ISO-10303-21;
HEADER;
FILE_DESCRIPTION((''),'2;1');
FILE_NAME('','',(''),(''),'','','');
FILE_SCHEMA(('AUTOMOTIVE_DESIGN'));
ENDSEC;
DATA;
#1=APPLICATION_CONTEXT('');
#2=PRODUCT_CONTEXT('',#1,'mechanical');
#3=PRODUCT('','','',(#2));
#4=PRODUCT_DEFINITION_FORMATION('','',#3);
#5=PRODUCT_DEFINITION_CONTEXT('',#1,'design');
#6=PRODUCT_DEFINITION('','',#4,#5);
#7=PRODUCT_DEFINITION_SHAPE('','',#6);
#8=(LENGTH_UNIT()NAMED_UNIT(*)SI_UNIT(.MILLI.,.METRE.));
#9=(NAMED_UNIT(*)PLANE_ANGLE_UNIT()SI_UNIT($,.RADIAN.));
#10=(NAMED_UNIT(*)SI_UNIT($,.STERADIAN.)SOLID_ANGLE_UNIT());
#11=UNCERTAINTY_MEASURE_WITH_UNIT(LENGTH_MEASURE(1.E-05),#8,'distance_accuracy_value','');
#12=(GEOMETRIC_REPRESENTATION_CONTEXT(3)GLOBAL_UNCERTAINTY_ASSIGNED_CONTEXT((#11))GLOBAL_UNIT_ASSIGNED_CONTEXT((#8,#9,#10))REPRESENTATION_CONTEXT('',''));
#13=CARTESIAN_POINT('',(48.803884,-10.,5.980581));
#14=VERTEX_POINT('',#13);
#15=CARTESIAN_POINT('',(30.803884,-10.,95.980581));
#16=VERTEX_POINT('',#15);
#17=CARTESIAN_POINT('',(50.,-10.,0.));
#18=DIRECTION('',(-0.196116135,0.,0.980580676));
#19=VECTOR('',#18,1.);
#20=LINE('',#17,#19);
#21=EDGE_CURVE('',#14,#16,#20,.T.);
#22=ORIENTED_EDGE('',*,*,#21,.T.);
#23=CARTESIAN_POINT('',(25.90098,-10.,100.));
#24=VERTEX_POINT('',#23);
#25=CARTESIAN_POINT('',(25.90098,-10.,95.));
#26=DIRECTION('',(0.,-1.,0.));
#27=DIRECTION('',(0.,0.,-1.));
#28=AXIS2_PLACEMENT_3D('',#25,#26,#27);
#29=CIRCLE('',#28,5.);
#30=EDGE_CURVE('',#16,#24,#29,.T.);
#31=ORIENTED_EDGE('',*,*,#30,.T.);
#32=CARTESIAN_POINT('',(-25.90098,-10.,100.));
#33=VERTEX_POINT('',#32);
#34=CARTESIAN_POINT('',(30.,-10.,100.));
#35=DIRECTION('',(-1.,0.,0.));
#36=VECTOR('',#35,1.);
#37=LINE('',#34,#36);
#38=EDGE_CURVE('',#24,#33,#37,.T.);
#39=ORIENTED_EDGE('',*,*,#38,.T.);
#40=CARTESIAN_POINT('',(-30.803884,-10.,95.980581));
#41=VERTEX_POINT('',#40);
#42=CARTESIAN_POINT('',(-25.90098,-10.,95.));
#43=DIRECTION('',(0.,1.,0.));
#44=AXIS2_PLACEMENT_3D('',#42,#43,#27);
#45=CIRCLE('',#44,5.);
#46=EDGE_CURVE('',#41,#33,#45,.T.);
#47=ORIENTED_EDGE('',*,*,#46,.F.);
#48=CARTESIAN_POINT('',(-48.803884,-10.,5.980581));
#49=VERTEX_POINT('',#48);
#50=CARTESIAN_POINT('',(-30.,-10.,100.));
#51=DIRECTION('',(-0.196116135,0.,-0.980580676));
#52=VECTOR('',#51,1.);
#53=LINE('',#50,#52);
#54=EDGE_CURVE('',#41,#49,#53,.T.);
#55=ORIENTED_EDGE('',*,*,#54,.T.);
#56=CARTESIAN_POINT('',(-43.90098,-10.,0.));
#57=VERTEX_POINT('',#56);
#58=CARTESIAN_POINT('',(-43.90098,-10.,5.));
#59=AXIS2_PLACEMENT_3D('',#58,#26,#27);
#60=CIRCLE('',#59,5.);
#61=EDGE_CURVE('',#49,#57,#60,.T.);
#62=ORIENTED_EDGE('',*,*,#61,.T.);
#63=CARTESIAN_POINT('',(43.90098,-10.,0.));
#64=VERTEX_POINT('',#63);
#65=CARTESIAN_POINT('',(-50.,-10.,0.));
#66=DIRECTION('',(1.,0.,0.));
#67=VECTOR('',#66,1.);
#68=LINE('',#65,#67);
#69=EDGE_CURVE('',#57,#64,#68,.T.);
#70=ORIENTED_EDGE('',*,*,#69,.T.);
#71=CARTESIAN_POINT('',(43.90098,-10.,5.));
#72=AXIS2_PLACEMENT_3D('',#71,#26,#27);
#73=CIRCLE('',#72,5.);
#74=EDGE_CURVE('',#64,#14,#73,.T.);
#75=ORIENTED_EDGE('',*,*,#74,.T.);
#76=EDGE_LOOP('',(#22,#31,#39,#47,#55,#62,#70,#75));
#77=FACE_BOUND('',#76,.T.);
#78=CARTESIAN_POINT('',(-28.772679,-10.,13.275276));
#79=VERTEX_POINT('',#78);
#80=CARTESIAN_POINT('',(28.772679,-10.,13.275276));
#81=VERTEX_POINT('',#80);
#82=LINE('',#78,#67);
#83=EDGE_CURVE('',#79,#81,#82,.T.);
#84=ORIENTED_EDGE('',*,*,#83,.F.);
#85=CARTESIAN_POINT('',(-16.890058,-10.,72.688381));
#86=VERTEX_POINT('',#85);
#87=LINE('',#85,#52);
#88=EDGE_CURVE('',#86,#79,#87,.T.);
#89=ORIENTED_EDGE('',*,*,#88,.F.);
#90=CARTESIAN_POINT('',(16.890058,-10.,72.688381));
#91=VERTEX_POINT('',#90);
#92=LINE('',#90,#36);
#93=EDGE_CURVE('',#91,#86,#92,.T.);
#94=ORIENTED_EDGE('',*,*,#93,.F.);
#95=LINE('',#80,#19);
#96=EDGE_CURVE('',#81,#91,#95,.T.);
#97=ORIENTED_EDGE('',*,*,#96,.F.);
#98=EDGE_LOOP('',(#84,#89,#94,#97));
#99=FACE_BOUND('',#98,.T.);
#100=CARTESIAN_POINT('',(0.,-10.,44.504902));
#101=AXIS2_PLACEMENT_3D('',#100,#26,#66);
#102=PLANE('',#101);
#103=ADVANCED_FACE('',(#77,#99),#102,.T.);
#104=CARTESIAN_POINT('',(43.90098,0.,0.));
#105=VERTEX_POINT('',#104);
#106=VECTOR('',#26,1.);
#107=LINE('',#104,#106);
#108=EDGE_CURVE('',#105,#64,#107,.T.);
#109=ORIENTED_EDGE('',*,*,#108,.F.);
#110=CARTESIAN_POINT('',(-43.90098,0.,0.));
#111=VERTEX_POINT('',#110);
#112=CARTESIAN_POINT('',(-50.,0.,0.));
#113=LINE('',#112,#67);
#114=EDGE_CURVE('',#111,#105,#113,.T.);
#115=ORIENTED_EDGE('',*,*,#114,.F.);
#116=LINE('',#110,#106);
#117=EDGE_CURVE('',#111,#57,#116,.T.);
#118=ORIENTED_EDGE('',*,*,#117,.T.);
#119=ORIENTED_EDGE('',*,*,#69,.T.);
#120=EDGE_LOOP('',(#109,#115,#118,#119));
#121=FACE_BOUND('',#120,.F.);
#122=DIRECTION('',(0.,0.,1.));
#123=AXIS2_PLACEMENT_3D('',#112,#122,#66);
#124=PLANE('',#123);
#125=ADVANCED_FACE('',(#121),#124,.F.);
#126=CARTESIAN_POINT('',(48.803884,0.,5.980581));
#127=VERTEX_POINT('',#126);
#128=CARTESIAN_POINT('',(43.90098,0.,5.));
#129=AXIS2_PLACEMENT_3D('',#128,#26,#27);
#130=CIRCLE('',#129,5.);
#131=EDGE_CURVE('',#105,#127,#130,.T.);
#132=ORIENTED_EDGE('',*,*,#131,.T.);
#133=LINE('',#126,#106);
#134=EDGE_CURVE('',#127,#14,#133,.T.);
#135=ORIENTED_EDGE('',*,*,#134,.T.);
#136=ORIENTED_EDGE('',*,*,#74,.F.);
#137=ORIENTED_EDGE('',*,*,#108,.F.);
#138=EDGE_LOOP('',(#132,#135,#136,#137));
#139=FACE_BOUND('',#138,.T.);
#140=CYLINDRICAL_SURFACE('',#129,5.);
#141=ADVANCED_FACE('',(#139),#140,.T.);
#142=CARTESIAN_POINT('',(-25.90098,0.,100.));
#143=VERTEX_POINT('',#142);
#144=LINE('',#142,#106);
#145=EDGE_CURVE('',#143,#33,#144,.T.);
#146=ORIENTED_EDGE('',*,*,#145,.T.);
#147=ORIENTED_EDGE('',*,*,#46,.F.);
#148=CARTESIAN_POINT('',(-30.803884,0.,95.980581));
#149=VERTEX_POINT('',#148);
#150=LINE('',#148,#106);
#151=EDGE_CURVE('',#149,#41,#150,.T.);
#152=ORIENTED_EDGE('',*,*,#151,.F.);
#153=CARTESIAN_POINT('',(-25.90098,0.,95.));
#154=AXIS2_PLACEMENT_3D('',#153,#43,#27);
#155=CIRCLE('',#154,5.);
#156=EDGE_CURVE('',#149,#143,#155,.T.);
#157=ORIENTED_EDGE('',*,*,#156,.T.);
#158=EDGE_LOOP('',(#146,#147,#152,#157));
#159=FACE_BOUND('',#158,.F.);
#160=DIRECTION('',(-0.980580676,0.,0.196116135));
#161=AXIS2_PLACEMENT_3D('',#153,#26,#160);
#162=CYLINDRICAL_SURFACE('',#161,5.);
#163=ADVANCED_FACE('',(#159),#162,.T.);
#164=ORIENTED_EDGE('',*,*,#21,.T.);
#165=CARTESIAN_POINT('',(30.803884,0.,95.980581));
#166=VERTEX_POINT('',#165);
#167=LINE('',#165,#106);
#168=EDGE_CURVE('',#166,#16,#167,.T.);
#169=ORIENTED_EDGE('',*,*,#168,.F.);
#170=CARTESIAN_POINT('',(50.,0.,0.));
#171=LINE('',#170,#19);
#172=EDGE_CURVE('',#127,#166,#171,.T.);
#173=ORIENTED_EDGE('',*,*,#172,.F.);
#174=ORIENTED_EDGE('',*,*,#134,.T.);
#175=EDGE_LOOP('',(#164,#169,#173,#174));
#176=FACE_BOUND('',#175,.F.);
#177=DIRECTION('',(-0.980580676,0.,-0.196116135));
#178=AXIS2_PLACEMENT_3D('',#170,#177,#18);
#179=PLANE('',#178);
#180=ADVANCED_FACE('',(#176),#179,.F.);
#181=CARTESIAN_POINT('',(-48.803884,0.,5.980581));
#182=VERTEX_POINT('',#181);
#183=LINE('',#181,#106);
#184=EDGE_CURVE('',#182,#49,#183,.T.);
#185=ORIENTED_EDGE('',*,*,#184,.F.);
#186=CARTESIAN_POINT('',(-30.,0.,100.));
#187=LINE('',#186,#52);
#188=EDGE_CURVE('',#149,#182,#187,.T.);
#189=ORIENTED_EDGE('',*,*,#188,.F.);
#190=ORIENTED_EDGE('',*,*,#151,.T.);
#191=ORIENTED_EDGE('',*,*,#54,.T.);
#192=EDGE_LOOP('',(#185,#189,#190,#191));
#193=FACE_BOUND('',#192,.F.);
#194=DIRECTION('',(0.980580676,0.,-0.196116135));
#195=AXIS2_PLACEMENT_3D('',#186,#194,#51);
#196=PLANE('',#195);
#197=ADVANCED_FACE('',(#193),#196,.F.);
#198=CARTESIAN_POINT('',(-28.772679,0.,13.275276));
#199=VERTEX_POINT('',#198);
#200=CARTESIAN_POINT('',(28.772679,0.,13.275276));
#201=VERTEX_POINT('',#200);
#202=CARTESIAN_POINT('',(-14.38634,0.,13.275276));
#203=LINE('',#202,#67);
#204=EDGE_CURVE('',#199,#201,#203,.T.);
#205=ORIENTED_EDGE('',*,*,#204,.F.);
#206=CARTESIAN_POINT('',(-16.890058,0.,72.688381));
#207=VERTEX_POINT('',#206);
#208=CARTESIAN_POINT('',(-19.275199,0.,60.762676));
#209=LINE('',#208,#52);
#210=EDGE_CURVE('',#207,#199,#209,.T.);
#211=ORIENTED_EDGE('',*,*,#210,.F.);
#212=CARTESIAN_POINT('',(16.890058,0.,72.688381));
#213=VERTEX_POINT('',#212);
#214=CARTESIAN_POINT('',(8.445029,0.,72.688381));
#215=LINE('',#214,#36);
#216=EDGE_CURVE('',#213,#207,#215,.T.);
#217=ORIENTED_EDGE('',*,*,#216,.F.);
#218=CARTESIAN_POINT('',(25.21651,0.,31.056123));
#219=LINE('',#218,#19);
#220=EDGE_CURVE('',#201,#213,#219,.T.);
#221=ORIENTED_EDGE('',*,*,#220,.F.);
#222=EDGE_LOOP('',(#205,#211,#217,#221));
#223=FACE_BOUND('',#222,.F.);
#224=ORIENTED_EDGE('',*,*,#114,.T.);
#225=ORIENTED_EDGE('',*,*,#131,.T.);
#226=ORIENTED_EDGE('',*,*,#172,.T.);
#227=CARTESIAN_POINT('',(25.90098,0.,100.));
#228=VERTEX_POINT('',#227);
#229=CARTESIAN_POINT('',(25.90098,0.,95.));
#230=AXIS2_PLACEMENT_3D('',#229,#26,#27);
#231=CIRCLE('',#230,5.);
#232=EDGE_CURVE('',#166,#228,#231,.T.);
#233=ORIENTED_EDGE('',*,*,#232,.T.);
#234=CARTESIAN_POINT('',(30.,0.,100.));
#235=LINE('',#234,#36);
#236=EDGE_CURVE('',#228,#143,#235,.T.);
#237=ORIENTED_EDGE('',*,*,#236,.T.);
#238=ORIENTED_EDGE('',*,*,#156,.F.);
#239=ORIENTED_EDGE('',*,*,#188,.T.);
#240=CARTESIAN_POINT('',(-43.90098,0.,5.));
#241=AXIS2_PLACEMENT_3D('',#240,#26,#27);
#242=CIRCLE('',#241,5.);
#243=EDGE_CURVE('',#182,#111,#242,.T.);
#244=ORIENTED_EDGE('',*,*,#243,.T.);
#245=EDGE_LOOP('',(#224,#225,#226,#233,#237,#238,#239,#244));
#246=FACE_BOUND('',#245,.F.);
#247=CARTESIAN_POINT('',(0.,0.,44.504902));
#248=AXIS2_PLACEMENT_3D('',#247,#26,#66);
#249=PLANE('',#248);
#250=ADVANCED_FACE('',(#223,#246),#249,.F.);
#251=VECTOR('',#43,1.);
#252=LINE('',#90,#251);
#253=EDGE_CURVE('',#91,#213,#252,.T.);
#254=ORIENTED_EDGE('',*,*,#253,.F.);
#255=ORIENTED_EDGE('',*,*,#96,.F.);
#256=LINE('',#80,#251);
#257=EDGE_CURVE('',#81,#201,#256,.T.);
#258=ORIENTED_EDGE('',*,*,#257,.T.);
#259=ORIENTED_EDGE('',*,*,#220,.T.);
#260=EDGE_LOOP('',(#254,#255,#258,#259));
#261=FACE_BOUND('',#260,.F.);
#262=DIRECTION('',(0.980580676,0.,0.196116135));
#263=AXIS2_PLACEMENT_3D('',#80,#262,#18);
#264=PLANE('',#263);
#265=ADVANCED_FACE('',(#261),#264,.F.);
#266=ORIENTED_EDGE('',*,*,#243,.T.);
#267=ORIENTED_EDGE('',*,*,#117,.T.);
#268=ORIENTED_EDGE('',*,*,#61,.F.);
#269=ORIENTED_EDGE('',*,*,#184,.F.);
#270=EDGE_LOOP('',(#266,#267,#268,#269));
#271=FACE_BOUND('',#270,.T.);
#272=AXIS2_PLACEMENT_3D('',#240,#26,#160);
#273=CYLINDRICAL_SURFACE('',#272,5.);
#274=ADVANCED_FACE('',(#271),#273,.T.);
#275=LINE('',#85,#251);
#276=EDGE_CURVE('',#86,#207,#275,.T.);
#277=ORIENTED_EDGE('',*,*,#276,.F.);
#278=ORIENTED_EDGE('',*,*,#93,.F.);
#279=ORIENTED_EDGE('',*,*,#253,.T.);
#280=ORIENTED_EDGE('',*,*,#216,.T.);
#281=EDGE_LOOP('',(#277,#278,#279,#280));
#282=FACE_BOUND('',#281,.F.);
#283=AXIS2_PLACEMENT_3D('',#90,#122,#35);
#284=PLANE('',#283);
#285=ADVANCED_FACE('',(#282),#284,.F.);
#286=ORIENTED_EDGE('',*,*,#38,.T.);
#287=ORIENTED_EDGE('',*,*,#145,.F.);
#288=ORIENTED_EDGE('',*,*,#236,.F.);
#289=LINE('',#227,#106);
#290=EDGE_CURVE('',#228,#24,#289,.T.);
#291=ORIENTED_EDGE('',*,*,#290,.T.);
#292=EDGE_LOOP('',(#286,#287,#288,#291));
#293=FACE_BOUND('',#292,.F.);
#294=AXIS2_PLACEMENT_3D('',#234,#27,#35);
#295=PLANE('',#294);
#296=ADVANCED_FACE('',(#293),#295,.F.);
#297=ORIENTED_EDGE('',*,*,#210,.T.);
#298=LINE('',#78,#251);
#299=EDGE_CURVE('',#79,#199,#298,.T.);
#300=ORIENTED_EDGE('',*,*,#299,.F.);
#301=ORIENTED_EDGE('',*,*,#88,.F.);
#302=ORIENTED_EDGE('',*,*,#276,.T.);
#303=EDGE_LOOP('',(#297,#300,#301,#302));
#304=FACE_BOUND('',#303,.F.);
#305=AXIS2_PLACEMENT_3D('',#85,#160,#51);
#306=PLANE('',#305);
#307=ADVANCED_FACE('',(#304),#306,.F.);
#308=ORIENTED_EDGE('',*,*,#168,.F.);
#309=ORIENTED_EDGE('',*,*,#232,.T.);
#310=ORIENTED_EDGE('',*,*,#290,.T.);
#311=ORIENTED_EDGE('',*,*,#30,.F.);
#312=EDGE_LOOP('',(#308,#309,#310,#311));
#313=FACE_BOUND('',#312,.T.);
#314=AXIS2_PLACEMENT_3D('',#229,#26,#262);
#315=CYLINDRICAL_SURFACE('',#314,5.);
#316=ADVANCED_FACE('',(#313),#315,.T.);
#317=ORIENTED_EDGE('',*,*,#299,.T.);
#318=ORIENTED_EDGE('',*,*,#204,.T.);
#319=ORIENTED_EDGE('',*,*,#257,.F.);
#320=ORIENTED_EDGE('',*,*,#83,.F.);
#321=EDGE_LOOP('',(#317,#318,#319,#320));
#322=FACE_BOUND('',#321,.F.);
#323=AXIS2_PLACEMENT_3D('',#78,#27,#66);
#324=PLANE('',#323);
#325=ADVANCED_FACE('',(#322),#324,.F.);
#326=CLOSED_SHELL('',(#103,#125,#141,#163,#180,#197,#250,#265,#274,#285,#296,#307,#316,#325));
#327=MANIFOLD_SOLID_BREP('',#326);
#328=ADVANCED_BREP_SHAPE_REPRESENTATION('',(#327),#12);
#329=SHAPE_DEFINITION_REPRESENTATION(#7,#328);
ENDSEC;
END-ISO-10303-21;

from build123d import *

# Parameters (mm, degrees)
F1_DEPTH = 10
F2_R     = 5
F4_DEPTH = 10.001


with BuildPart() as f1:
    # F0 (on Front) → F1 (new body)
    with BuildSketch(Plane.XZ):
        Polygon((-30, 100), (-50, 0), (50, 0), (30, 100), align=None)
    extrude(amount=F1_DEPTH)

    # F2
    f2_edges = [f1.edges().sort_by_distance(p)[0] for p in [
        (-30, -5, 100),
        (30, -5, 100),
        (-50, -5, 0),
        (50, -5, 0),
    ]]
    fillet(f2_edges, radius=F2_R)

    # F3 (on face) → F4 (cut, through all)
    with BuildSketch(Plane.XZ.offset(10)):
        Polygon((-16.890058, 72.688381), (-28.772679, 13.275276), (28.772679, 13.275276), (16.890058, 72.688381), align=None)
    extrude(amount=-F4_DEPTH, mode=Mode.SUBTRACT)


solid = f1.part
